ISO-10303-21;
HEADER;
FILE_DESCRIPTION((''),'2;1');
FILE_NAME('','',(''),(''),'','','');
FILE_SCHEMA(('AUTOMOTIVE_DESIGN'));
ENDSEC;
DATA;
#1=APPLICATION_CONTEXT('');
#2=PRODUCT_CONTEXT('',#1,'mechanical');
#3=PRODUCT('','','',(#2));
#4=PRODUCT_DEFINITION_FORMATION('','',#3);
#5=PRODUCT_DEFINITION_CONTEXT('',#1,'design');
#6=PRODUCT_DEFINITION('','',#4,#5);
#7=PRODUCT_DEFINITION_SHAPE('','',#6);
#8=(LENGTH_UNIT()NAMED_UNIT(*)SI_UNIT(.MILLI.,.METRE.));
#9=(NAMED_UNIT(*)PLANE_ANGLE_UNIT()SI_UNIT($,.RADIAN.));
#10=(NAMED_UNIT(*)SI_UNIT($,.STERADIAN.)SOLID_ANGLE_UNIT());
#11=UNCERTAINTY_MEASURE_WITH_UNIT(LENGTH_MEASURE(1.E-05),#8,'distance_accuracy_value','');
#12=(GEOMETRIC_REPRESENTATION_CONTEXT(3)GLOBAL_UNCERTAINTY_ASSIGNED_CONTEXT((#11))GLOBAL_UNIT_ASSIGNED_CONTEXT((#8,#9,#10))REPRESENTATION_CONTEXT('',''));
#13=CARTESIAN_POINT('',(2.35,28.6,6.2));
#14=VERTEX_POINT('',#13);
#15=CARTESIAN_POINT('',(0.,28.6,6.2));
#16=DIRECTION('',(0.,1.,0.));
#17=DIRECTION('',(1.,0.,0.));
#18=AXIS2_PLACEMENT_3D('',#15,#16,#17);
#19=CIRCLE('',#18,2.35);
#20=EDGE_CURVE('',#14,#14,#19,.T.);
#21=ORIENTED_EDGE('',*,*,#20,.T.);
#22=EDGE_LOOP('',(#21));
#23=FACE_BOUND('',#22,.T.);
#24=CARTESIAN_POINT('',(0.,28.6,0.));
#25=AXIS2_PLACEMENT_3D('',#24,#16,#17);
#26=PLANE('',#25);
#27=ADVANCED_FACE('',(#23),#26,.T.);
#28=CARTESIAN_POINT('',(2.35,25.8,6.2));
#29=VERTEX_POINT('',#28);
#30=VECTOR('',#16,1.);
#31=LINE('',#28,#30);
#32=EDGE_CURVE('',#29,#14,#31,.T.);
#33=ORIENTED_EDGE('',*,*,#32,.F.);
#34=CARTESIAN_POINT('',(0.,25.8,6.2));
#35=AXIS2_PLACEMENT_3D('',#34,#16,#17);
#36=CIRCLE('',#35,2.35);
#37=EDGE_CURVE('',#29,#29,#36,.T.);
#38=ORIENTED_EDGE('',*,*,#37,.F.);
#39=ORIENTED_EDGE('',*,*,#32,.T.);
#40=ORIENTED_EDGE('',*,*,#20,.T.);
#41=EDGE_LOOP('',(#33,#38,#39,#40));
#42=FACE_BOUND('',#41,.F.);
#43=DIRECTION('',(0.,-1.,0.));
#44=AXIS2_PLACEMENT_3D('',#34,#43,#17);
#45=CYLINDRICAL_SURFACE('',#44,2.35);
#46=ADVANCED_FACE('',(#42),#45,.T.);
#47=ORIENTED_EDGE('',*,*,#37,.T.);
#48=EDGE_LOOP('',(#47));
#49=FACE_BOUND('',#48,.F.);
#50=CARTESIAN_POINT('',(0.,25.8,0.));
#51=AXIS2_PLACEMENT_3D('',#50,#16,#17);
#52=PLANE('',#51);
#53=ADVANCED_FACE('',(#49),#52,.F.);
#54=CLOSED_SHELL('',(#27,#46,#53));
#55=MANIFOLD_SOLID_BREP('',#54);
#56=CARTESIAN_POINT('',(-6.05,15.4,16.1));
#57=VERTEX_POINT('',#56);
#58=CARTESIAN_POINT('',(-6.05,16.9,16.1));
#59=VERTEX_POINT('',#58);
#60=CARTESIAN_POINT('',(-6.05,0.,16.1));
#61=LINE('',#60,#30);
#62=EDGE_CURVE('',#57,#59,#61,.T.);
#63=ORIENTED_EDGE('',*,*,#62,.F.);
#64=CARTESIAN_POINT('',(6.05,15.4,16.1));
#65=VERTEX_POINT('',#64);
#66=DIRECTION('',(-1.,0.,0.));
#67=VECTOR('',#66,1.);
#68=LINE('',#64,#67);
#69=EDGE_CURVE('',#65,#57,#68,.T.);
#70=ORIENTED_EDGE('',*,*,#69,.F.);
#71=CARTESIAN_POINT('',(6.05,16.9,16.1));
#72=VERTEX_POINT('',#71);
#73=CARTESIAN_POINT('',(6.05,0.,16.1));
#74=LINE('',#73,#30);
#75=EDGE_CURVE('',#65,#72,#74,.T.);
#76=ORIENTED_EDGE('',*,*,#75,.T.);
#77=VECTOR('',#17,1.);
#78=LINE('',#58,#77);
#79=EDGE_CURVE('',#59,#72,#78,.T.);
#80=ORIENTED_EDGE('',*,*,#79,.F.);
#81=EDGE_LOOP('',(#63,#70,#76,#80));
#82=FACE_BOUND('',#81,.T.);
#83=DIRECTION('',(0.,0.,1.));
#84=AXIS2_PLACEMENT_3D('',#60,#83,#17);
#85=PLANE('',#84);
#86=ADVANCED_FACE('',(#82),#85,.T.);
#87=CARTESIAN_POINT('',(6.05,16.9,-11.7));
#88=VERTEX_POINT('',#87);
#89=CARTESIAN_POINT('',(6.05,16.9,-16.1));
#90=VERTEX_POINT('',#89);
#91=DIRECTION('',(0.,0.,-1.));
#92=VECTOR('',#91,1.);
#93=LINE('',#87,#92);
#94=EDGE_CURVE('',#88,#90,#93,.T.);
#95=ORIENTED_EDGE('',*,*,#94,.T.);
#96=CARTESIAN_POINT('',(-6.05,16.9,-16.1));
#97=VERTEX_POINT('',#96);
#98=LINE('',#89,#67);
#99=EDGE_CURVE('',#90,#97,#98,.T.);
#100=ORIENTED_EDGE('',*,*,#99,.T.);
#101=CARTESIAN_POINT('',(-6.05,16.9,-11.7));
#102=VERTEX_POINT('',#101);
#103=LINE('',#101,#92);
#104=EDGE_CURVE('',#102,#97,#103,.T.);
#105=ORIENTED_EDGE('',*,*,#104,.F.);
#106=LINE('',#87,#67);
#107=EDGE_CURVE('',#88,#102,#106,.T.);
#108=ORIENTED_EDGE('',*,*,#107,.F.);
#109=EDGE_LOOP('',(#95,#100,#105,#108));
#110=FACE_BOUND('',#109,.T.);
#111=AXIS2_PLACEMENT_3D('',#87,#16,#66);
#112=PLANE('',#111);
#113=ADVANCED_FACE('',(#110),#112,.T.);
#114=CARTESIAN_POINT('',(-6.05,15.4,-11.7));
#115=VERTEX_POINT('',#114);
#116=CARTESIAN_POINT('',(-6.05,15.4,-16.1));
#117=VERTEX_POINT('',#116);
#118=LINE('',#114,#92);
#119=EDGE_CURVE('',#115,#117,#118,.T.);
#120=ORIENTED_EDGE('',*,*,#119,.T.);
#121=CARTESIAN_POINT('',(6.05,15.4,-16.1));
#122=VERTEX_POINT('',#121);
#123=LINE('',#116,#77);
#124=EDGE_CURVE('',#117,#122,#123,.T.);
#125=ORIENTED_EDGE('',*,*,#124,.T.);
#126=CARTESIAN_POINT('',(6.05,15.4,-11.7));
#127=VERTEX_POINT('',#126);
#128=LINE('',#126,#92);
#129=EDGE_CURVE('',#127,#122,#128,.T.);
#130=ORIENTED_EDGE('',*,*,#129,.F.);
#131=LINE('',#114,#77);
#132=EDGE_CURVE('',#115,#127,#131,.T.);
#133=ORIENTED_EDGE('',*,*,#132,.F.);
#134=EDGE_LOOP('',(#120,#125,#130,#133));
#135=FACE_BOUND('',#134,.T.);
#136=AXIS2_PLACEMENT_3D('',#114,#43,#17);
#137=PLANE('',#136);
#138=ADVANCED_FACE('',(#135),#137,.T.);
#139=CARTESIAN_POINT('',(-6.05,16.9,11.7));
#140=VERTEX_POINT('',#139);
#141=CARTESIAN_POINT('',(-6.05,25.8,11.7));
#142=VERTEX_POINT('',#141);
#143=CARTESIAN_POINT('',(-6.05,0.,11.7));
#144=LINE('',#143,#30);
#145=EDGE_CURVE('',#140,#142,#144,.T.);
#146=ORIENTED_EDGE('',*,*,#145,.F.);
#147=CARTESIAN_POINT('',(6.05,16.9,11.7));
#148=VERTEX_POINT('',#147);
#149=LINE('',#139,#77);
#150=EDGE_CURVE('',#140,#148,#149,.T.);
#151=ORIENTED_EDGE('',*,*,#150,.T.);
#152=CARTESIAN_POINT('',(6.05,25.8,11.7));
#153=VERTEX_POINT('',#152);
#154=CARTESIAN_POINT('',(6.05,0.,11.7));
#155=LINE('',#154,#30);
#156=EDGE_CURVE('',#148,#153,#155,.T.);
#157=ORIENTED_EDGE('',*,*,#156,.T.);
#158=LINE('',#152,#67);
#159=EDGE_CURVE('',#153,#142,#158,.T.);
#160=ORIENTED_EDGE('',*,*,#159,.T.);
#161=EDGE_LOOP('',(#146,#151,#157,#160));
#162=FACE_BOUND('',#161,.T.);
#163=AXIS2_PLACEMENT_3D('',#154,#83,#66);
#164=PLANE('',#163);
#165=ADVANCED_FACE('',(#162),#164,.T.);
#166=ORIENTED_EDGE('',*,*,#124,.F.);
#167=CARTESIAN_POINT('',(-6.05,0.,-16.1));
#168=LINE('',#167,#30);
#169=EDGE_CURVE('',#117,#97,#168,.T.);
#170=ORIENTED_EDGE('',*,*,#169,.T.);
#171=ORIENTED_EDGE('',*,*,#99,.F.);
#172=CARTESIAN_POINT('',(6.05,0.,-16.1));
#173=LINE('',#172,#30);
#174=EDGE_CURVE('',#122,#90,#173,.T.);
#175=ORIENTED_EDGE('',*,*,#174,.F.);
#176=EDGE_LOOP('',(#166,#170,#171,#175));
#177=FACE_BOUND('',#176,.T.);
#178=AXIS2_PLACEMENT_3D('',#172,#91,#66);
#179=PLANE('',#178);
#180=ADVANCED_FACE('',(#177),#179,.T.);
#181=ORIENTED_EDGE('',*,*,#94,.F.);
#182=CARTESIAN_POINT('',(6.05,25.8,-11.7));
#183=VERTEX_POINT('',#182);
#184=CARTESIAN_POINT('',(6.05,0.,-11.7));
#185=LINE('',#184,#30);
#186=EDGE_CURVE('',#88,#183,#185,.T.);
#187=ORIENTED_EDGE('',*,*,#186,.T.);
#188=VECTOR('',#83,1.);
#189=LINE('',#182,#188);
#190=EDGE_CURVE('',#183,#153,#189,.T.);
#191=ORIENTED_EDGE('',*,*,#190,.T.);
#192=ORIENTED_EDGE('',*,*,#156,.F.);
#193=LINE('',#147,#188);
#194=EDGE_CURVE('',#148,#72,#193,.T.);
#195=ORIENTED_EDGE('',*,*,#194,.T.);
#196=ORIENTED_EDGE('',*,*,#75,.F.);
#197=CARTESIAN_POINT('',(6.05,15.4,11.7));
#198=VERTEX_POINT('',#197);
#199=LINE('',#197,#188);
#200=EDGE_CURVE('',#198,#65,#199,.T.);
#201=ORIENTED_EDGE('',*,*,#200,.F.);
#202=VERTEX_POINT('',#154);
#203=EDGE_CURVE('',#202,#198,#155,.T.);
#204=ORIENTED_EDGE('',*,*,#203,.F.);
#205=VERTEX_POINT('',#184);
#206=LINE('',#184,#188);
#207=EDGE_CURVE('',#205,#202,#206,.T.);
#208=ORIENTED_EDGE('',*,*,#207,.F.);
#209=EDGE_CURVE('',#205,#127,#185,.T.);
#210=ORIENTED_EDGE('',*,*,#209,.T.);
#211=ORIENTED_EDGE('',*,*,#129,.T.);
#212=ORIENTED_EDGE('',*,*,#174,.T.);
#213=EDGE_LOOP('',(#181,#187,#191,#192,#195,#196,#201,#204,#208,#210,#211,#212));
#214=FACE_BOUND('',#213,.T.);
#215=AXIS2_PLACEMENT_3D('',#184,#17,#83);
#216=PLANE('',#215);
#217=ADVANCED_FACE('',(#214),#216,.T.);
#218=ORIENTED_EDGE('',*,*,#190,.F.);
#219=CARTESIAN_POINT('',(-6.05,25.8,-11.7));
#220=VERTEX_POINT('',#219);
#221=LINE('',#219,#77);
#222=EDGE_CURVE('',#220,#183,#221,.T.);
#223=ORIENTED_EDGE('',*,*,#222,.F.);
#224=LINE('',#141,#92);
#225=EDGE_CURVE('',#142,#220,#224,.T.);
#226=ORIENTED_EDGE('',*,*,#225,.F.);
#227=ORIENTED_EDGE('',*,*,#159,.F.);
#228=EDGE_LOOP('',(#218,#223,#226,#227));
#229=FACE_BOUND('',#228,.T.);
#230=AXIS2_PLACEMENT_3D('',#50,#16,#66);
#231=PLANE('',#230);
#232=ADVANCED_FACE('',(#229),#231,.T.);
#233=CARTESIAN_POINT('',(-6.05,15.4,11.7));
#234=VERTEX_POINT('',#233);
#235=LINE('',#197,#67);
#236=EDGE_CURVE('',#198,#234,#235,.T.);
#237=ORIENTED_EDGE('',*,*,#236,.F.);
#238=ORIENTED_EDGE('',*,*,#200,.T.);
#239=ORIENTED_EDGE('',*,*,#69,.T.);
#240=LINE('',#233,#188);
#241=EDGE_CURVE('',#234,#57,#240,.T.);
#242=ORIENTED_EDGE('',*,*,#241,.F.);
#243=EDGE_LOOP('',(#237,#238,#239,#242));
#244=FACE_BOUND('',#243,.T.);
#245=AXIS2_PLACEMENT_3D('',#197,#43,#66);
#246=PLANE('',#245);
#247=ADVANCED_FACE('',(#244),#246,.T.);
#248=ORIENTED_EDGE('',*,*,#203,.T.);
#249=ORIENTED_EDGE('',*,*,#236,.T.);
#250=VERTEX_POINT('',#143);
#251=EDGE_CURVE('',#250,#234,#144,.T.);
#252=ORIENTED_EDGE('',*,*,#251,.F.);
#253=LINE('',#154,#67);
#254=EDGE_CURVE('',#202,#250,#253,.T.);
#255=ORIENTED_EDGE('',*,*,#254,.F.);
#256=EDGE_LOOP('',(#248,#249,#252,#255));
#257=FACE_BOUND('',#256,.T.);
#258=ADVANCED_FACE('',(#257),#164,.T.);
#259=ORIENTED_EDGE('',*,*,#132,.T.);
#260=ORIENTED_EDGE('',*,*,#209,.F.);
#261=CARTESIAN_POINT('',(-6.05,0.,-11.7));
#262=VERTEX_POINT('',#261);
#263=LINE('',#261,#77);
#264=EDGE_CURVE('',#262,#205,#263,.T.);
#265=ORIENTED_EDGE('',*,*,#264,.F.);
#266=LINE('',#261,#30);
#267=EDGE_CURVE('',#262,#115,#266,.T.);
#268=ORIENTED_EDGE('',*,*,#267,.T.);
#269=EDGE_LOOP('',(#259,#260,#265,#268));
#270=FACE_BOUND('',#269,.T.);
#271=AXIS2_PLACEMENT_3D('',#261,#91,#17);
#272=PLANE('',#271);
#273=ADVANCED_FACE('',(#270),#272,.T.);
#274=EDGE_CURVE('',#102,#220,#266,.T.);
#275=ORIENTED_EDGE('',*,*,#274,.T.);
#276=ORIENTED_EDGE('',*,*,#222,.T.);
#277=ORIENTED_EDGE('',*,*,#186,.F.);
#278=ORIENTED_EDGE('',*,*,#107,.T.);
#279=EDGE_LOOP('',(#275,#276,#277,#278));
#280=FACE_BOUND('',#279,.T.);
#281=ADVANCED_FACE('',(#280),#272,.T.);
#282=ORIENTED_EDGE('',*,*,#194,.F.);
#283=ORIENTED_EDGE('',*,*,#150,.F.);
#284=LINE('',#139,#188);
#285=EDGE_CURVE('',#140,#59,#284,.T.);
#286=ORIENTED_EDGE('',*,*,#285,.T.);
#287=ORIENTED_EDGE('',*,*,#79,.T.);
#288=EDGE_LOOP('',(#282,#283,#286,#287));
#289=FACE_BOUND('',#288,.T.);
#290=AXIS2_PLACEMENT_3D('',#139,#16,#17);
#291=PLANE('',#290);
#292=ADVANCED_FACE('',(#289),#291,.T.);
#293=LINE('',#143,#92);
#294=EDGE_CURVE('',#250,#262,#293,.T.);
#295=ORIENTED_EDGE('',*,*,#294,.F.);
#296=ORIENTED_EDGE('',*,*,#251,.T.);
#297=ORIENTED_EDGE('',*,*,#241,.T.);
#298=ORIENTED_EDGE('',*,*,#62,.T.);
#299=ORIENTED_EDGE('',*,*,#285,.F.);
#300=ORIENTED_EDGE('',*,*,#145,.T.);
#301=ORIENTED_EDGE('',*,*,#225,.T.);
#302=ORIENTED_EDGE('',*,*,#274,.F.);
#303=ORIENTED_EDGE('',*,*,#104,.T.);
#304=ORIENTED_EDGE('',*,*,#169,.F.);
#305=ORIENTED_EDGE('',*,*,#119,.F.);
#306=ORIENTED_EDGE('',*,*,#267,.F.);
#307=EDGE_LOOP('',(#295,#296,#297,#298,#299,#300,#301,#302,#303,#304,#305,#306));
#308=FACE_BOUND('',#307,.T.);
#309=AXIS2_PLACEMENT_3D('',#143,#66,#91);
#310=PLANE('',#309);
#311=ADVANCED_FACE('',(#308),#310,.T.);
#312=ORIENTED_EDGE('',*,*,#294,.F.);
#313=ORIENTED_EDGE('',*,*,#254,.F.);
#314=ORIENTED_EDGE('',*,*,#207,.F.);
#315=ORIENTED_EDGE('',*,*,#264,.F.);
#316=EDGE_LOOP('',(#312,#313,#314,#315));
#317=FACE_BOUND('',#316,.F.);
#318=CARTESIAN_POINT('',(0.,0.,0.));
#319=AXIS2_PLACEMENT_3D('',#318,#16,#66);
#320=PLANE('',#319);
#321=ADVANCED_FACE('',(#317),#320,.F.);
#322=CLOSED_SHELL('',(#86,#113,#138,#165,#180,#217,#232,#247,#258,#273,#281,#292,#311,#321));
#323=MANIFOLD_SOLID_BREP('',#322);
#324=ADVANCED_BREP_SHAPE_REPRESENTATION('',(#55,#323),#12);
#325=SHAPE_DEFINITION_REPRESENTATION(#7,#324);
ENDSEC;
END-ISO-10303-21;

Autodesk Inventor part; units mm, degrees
ref_plane "YZ Plane" through (0, 0, 0) normal (1, 0, 0) x (0, 1, 0)
ref_plane "XZ Plane" through (0, 0, 0) normal (0, 1, 0) x (-1, 0, 0)
ref_plane "XY Plane" through (0, 0, 0) normal (0, 0, 1) x (1, 0, 0)
sketch "Sketch1" plane through (0, 0, 0) normal (0, 1, 0) x (-1, 0, 0)
  line L0 (6.05, -11.7) -> (-6.05, -11.7)
  line L1 (-6.05, -11.7) -> (-6.05, 11.7)
  line L2 (-6.05, 11.7) -> (6.05, 11.7)
  line L3 (6.05, 11.7) -> (6.05, -11.7)
  line L4 (6.05, -11.7) -> (-6.05, 11.7) construction
  line L5 (-6.05, -11.7) -> (6.05, 11.7) construction
  point P0 (0, 0)
  dimension "d0" = 12.1
  dimension "d1" = 23.4
extrude "Extrusion1" add sketch "Sketch1" along normal blind 25.8
sketch "Sketch2" plane through (-6.05, 0, 11.7) normal (0, 0, 1) x (1, 0, 0)
  line L0 (12.1, 0) -> (0, 0) projected
  line L1 (12.1, 0) -> (12.1, 25.8) projected
  line L2 (0, 0) -> (0, 25.8) projected
  line L3 (0, 16.9) -> (12.1, 16.9)
  line L4 (12.1, 16.9) -> (12.1, 15.4)
  line L5 (12.1, 15.4) -> (0, 15.4)
  line L6 (0, 15.4) -> (0, 16.9)
  point P0 (6.05, 0)
  dimension "d4" = 1.5
  dimension "d5" = 15.4
extrude "Extrusion2" add sketch "Sketch2" along normal blind 4.4 contours L5 L2 L3 L1
sketch "Sketch3" plane through (6.05, 0, -11.7) normal (0, 0, -1) x (-1, 0, 0)
  line L0 (12.1, 0) -> (0, 0) projected
  line L1 (12.1, 0) -> (12.1, 25.8) projected
  line L2 (0, 0) -> (0, 25.8) projected
  line L3 (0, 16.9) -> (12.1, 16.9)
  line L4 (12.1, 16.9) -> (12.1, 15.4)
  line L5 (12.1, 15.4) -> (0, 15.4)
  line L6 (0, 15.4) -> (0, 16.9)
  point P0 (6.05, 0)
  dimension "d8" = 1.5
  dimension "d9" = 15.4
extrude "Extrusion3" add sketch "Sketch3" along normal blind 4.4 contours L5 L2 L3 L1
sketch "Sketch4" plane through (0, 25.8, 0) normal (0, 1, 0) x (1, 0, 0)
  line L0 (-6.05, -11.7) -> (6.05, -11.7) projected
  line L1 (6.05, -11.7) -> (6.05, 11.7) projected
  circle A0 centre (0, -6.2) radius 2.35
  line L2 (0, 0) -> (0, -19.8821) construction
  dimension "d12" = 4.7
  dimension "d13" = 5.5
extrude "Extrusion4" add sketch "Sketch4" along normal blind 2.8 separate body
properties part number "ServoMotor_SubSize"
